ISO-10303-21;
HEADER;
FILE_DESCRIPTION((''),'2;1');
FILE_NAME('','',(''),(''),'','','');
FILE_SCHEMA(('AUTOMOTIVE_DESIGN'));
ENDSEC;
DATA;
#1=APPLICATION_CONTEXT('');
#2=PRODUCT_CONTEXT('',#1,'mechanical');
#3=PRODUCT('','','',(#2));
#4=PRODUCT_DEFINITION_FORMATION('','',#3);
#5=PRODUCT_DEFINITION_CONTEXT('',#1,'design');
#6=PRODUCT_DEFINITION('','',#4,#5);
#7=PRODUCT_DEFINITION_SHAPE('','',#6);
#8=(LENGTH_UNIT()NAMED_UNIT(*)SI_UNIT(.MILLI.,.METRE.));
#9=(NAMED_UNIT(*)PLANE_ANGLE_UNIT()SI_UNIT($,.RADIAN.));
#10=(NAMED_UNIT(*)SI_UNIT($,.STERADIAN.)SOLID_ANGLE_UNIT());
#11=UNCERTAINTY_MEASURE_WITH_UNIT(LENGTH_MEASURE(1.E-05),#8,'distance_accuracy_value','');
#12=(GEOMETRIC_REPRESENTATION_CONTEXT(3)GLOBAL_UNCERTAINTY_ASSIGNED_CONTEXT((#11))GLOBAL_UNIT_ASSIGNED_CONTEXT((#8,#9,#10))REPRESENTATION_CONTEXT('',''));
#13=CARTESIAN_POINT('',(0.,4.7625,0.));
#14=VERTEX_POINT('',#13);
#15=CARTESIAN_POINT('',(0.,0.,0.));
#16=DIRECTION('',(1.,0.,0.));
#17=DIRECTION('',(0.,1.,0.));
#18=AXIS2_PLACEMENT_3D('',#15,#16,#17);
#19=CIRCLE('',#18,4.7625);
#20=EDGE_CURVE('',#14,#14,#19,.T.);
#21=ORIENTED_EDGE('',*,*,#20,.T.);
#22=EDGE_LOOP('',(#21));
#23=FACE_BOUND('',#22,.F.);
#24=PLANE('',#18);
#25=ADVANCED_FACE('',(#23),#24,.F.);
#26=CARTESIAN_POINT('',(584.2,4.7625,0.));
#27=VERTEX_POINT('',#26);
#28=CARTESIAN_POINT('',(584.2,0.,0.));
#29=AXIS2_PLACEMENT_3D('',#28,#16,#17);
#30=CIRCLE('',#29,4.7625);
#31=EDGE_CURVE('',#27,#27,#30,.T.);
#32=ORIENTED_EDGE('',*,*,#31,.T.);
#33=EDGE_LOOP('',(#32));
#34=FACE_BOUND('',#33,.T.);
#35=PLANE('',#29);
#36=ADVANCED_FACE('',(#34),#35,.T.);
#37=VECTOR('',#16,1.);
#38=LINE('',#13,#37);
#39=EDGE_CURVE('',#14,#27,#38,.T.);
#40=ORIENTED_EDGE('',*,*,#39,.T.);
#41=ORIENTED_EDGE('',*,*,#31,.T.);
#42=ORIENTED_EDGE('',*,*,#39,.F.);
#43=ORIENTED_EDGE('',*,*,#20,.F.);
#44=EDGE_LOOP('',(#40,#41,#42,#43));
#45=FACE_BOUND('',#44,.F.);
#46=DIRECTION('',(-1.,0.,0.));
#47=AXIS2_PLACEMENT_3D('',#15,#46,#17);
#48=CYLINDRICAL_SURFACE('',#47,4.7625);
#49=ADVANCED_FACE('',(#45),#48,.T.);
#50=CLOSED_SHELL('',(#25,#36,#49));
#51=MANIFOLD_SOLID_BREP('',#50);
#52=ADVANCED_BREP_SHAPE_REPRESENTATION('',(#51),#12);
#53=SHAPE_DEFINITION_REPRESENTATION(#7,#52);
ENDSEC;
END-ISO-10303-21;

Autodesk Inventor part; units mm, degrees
ref_plane "YZ Plane" through (0, 0, 0) normal (1, 0, 0) x (0, 1, 0)
ref_plane "XZ Plane" through (0, 0, 0) normal (0, 1, 0) x (-1, 0, 0)
ref_plane "XY Plane" through (0, 0, 0) normal (0, 0, 1) x (1, 0, 0)
sketch "Sketch1" plane through (0, 0, 0) normal (1, 0, 0) x (0, 1, 0)
  circle A0 centre (0, 0) radius 4.7625
  dimension "d0" = 9.525
extrude "Extrusion1" add sketch "Sketch1" along normal blind 584.2
properties part number "0.375 axle" material "Steel, Alloy"
